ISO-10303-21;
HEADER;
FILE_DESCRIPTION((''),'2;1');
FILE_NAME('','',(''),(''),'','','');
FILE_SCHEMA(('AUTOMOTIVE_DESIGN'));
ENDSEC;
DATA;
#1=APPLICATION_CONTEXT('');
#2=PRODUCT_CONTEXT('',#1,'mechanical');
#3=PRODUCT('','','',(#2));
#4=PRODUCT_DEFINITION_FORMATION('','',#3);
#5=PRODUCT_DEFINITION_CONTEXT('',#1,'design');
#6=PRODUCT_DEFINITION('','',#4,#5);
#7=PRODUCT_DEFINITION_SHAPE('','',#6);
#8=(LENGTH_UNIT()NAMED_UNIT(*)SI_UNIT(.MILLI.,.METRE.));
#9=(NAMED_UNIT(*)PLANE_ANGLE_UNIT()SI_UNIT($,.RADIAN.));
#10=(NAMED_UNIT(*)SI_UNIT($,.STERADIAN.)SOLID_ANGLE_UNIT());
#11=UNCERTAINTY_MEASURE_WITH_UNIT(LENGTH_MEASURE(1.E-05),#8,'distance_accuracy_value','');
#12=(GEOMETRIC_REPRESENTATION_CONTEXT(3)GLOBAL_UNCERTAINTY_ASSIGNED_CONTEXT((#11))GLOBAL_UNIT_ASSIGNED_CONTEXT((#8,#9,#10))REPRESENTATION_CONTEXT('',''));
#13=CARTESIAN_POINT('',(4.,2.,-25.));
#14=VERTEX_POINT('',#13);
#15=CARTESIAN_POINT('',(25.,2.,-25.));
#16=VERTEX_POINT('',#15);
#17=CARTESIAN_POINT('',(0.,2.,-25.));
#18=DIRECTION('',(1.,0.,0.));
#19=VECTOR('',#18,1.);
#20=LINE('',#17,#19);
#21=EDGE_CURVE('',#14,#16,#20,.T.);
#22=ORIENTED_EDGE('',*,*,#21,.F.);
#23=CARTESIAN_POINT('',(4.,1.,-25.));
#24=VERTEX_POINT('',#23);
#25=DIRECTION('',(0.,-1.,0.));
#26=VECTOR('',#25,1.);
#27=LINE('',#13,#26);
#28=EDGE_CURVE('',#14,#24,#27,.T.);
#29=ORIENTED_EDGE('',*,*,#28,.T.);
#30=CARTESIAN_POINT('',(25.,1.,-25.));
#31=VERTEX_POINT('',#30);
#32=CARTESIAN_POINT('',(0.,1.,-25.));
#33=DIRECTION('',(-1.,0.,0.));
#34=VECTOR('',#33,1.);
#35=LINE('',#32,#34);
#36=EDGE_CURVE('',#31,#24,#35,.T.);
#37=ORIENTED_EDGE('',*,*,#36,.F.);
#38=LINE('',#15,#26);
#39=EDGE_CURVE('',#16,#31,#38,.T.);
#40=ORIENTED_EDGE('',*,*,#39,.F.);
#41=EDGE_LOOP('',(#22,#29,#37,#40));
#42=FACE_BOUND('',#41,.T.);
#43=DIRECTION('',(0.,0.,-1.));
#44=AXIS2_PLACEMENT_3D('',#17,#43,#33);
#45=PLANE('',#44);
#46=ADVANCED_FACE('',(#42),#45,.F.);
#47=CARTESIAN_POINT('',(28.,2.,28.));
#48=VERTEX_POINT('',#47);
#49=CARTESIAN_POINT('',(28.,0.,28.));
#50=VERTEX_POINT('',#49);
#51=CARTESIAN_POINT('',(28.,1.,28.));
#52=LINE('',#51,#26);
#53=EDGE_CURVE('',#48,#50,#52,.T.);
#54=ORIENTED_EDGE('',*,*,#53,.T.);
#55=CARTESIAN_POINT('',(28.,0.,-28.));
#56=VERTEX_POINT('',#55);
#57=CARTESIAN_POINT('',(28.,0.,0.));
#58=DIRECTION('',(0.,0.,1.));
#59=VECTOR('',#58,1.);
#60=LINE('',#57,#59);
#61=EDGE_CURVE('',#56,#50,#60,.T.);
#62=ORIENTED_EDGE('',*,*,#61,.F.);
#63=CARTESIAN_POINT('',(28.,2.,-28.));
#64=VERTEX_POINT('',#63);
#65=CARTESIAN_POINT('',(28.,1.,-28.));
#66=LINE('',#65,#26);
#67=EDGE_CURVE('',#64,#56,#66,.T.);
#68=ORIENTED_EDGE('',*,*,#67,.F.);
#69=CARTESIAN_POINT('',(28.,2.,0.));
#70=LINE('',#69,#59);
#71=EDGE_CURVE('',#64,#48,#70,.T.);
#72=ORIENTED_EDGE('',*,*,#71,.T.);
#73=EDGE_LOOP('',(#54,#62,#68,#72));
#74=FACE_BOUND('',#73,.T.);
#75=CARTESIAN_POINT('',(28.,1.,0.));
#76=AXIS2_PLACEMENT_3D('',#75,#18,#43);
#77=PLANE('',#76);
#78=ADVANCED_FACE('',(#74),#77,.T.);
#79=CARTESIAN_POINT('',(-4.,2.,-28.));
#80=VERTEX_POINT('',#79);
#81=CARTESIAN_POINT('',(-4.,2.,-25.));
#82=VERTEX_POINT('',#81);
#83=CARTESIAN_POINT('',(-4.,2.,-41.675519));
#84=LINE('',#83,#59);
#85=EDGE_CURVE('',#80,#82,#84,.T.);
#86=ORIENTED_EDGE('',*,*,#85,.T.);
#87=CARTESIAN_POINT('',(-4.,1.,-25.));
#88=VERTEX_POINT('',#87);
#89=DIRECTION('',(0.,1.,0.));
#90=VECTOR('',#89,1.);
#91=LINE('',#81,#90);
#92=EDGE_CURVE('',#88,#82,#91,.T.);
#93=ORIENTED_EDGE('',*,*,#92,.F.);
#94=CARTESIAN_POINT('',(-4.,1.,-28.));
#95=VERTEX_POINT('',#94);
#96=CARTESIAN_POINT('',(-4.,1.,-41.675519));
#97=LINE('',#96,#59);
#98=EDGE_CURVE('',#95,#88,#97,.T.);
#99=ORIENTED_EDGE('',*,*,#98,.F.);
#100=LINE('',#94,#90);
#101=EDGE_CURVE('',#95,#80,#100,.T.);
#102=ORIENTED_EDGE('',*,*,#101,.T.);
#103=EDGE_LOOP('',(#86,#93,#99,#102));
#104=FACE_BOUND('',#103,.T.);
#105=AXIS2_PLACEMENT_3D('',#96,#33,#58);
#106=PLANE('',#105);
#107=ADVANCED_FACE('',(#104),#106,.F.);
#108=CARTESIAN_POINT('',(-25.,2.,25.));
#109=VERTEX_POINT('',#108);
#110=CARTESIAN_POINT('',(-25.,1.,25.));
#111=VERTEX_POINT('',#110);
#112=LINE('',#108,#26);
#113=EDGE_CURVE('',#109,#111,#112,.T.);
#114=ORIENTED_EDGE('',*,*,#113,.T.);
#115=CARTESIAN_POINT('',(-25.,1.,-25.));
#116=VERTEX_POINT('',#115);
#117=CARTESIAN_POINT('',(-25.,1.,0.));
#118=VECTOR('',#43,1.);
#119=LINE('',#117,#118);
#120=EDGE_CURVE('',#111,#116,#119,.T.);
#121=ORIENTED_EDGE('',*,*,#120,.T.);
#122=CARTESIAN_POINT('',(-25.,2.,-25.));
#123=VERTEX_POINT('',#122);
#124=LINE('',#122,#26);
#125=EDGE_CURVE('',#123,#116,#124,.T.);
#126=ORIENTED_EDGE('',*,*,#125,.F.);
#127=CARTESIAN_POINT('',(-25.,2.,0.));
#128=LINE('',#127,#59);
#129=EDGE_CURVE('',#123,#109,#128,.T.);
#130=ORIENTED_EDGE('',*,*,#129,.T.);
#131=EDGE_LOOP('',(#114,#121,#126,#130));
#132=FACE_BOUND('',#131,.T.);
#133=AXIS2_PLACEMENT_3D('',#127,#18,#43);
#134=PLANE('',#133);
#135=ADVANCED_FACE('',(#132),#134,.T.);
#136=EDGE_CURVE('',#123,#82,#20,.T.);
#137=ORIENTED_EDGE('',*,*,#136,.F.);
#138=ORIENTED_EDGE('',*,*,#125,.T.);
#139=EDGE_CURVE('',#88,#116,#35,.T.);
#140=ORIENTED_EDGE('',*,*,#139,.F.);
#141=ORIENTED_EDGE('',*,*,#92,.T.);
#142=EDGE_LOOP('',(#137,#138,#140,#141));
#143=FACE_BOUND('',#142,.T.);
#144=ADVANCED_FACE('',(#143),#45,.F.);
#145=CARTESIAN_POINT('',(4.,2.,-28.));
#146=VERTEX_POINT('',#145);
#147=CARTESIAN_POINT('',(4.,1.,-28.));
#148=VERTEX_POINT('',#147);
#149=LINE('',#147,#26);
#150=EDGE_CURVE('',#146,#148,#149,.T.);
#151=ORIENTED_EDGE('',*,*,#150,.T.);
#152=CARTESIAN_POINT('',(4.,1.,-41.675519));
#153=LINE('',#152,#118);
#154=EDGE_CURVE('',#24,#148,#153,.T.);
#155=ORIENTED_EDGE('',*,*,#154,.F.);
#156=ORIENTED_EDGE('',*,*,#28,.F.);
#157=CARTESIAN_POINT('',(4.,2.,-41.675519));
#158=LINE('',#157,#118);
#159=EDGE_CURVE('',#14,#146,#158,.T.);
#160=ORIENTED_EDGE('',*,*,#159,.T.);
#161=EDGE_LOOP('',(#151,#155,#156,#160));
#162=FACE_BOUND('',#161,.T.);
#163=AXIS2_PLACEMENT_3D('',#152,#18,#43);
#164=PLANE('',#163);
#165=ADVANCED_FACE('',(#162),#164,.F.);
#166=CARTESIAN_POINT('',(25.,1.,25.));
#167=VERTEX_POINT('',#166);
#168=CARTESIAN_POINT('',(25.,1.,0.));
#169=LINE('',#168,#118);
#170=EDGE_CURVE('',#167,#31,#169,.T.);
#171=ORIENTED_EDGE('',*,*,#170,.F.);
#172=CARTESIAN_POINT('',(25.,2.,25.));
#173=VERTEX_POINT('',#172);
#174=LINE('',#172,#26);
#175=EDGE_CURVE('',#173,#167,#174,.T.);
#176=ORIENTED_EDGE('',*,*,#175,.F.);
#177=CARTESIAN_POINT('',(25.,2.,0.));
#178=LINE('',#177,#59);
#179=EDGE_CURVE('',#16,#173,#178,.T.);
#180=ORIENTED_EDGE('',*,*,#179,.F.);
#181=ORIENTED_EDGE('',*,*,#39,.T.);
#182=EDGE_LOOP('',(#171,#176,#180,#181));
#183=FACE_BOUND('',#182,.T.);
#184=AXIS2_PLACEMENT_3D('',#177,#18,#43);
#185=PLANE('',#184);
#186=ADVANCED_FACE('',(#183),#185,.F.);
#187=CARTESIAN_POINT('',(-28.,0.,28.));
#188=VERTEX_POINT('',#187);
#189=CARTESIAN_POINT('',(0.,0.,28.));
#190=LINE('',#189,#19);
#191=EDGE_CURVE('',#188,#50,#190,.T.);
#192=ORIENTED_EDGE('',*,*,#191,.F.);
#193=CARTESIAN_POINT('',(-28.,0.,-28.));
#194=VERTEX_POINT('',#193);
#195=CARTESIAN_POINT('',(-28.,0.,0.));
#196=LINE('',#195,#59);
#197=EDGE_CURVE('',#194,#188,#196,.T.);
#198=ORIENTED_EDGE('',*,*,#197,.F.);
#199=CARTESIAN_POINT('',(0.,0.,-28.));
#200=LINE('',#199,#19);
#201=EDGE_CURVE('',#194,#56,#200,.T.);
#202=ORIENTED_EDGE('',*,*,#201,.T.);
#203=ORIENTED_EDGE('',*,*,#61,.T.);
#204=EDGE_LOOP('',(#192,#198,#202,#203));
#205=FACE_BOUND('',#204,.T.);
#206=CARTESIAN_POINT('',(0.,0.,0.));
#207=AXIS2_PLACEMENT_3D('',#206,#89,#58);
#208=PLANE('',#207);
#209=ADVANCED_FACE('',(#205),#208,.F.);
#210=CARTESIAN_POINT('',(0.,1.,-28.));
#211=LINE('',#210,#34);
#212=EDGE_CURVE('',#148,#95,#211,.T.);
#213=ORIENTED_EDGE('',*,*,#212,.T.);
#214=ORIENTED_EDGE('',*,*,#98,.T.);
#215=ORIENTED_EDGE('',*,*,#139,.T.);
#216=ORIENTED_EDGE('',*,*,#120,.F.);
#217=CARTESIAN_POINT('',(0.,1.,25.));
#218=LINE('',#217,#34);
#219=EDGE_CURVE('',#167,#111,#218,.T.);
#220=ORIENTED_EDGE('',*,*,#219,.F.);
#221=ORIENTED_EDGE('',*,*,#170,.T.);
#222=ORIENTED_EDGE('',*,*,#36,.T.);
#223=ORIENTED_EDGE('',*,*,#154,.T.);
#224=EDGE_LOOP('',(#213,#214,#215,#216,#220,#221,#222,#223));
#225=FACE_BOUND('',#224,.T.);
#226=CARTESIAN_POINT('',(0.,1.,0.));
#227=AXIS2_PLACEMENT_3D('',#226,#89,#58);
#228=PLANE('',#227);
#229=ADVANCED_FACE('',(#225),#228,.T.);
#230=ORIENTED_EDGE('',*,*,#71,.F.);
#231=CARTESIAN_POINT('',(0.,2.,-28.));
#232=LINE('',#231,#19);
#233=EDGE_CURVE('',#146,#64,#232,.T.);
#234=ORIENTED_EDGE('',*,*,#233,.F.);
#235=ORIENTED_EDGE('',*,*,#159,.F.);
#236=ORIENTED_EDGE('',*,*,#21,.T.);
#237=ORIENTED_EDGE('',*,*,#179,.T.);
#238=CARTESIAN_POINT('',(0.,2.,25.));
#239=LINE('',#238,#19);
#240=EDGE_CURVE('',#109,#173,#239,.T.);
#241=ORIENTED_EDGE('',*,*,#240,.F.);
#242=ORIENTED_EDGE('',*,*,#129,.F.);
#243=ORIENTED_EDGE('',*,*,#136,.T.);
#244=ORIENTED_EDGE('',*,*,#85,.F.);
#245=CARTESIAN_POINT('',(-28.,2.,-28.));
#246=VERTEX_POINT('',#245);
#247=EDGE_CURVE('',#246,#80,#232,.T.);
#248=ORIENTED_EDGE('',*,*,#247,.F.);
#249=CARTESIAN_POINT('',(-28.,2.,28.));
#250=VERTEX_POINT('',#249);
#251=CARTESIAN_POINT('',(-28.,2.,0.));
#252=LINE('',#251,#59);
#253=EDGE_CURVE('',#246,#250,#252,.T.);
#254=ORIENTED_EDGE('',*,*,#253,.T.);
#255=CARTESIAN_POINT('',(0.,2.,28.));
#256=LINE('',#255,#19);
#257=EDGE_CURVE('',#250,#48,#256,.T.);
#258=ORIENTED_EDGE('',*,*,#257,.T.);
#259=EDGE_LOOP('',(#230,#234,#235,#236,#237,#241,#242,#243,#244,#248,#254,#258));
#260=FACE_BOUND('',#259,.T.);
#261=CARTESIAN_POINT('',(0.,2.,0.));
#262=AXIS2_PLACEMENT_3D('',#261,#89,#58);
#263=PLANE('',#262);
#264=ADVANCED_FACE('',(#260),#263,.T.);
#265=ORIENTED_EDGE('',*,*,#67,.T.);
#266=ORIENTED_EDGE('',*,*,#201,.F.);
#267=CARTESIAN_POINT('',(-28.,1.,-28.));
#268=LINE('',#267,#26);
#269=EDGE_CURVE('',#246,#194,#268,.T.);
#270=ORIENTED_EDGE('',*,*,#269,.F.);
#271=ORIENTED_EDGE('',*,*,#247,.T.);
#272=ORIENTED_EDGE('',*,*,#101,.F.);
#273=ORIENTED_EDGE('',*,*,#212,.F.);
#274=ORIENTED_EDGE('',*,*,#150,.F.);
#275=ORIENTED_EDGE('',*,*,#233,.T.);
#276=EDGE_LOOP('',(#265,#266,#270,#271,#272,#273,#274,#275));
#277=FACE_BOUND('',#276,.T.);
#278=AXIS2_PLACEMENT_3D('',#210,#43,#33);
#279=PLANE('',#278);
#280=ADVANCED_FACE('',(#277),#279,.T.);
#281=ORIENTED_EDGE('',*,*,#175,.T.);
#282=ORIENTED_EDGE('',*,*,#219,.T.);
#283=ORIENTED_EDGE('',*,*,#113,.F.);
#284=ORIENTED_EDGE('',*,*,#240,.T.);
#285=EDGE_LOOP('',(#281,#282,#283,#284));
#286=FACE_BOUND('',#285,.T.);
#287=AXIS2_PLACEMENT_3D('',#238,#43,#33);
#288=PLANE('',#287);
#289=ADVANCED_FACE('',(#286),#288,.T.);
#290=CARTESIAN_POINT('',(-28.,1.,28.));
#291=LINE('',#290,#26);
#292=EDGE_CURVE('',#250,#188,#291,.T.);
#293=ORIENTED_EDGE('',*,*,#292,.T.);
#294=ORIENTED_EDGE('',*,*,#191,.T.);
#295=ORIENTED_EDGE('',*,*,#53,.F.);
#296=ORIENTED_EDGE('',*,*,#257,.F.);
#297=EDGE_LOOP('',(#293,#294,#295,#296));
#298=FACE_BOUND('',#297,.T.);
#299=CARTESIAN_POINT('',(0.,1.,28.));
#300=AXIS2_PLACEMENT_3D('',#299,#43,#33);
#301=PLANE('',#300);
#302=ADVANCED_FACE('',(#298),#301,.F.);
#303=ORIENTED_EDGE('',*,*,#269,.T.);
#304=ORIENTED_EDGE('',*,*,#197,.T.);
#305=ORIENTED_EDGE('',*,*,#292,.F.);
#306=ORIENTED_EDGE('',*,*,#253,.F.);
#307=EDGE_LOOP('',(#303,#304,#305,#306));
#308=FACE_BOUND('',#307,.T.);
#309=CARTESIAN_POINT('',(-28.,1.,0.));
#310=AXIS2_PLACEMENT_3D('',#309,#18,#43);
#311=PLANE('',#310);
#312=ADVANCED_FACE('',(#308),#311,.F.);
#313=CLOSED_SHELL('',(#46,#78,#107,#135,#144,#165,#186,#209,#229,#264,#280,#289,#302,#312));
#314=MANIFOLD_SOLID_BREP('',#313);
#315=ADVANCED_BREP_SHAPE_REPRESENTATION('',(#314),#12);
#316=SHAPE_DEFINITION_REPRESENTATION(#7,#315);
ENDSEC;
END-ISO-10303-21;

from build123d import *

# Parameters (mm, degrees)
SKETCH1_W           = 56
SKETCH1_H           = 56
BOSS_EXTRUDE1_DEPTH = 1
SKETCH1_3_W         = 56
SKETCH1_3_H         = 56
SKETCH1_3_W_2       = 50
SKETCH1_3_H_2       = 50
BOSS_EXTRUDE2_DEPTH = 2
SKETCH2_W           = 8
SKETCH2_H           = 19.436412374
CUT_EXTRUDE1_DEPTH  = 1


with BuildPart() as part:
    # Sketch1 → Boss-Extrude1 (new body)
    with BuildSketch(Plane(origin=(0, 0, 0), x_dir=(1, 0, 0), z_dir=(0, 1, 0))):
        Rectangle(SKETCH1_W, SKETCH1_H)
    extrude(amount=BOSS_EXTRUDE1_DEPTH)

    # Sketch1<3> → Boss-Extrude2 (add)
    with BuildSketch(Plane(origin=(0, 0, 0), x_dir=(1, 0, 0), z_dir=(0, 1, 0))):
        Rectangle(SKETCH1_3_W, SKETCH1_3_H)
        Rectangle(SKETCH1_3_W_2, SKETCH1_3_H_2, mode=Mode.SUBTRACT)
    extrude(amount=BOSS_EXTRUDE2_DEPTH)

    # Sketch2 → Cut-Extrude1 (cut)
    with BuildSketch(Plane(origin=(0, 2, 0), x_dir=(1, 0, 0), z_dir=(0, 1, 0))):
        with Locations((0, 31.957312715)):
            Rectangle(SKETCH2_W, SKETCH2_H)
    extrude(amount=-CUT_EXTRUDE1_DEPTH, mode=Mode.SUBTRACT)


solid = part.part
